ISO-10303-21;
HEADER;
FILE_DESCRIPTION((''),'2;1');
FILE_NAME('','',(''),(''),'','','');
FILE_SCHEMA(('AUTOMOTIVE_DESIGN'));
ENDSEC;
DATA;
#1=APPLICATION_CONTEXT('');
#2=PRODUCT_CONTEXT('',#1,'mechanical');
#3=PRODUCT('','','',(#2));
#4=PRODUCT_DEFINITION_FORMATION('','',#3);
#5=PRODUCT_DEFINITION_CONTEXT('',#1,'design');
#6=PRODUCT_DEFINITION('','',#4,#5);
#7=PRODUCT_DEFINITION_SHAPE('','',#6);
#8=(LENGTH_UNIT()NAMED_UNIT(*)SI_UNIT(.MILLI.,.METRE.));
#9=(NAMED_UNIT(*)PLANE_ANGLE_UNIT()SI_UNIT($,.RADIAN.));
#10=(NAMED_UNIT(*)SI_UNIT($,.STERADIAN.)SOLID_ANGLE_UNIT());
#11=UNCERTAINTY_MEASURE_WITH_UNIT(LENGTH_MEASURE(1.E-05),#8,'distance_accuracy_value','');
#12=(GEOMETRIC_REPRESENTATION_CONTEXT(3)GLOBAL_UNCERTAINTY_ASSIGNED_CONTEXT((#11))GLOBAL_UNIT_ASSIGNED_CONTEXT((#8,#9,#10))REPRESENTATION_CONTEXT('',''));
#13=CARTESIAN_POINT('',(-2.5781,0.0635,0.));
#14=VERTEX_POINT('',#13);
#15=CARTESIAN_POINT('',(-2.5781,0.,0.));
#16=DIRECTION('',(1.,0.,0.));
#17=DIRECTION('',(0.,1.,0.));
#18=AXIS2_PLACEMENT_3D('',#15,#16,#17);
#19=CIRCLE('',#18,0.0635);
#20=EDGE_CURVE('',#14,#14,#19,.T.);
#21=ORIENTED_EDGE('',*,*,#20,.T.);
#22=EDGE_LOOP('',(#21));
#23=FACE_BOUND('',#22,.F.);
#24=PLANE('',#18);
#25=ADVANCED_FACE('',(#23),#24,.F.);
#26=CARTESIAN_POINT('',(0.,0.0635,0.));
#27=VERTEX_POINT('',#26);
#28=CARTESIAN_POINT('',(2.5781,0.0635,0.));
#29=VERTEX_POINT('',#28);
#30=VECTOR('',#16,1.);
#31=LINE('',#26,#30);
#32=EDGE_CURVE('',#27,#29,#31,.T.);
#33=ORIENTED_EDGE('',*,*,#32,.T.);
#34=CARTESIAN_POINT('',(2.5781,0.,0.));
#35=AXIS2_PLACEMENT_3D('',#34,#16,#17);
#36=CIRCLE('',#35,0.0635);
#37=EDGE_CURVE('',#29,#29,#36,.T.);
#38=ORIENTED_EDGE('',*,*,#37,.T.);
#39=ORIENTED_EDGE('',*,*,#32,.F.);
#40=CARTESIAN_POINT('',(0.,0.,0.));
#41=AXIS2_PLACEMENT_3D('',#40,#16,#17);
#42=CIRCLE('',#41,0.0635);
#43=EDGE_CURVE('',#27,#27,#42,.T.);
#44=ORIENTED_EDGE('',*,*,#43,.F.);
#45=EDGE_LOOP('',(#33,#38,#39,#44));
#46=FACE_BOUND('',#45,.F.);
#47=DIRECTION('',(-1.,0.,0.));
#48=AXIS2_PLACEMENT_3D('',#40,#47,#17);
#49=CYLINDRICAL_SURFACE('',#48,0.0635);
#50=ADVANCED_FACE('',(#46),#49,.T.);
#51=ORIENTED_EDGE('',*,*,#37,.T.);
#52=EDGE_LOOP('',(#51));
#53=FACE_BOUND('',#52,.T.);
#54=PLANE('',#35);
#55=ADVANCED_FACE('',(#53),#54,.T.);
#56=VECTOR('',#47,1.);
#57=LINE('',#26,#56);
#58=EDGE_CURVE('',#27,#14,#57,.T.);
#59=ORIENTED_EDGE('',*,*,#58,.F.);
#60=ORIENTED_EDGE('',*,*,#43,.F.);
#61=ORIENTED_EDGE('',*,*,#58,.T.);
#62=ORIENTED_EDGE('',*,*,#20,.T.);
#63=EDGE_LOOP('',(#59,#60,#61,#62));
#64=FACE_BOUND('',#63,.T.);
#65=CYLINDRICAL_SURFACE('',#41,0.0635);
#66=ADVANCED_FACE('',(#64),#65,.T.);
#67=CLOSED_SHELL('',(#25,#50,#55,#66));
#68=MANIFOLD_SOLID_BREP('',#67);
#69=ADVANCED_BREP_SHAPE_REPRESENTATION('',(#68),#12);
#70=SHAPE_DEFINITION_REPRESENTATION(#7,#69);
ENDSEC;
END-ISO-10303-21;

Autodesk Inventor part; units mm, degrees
ref_plane "YZ Plane" through (0, 0, 0) normal (1, 0, 0) x (0, 1, 0)
ref_plane "XZ Plane" through (0, 0, 0) normal (0, 1, 0) x (-1, 0, 0)
ref_plane "XY Plane" through (0, 0, 0) normal (0, 0, 1) x (1, 0, 0)
sketch "Sketch1" plane through (0, 0, 0) normal (1, 0, 0) x (0, 1, 0)
  circle A0 centre (0, 0) radius 0.0635
  dimension "d0" = 0.127
extrude "Extrusion1" add sketch "Sketch1" along normal mid plane 5.1562
equation "\"BendRadius\" = Thickness"
equation "\"BendReliefWidth\" = Thickness"
equation "\"BendReliefDepth\" = 0.5 * Thickness"
equation "\"CornerReliefSize\" = 4 * Thickness"
equation "\"MinimumRemnant\" = 2 * Thickness"
equation "\"TransitionRadius\" = BendRadius"
equation "\"JacobiRadiusSize\" = BendRadius"
equation "\"GapSize\" = Thickness"
equation "\"Thickness\" = 3.048"
properties part number "SiCMonofilamentShort"
